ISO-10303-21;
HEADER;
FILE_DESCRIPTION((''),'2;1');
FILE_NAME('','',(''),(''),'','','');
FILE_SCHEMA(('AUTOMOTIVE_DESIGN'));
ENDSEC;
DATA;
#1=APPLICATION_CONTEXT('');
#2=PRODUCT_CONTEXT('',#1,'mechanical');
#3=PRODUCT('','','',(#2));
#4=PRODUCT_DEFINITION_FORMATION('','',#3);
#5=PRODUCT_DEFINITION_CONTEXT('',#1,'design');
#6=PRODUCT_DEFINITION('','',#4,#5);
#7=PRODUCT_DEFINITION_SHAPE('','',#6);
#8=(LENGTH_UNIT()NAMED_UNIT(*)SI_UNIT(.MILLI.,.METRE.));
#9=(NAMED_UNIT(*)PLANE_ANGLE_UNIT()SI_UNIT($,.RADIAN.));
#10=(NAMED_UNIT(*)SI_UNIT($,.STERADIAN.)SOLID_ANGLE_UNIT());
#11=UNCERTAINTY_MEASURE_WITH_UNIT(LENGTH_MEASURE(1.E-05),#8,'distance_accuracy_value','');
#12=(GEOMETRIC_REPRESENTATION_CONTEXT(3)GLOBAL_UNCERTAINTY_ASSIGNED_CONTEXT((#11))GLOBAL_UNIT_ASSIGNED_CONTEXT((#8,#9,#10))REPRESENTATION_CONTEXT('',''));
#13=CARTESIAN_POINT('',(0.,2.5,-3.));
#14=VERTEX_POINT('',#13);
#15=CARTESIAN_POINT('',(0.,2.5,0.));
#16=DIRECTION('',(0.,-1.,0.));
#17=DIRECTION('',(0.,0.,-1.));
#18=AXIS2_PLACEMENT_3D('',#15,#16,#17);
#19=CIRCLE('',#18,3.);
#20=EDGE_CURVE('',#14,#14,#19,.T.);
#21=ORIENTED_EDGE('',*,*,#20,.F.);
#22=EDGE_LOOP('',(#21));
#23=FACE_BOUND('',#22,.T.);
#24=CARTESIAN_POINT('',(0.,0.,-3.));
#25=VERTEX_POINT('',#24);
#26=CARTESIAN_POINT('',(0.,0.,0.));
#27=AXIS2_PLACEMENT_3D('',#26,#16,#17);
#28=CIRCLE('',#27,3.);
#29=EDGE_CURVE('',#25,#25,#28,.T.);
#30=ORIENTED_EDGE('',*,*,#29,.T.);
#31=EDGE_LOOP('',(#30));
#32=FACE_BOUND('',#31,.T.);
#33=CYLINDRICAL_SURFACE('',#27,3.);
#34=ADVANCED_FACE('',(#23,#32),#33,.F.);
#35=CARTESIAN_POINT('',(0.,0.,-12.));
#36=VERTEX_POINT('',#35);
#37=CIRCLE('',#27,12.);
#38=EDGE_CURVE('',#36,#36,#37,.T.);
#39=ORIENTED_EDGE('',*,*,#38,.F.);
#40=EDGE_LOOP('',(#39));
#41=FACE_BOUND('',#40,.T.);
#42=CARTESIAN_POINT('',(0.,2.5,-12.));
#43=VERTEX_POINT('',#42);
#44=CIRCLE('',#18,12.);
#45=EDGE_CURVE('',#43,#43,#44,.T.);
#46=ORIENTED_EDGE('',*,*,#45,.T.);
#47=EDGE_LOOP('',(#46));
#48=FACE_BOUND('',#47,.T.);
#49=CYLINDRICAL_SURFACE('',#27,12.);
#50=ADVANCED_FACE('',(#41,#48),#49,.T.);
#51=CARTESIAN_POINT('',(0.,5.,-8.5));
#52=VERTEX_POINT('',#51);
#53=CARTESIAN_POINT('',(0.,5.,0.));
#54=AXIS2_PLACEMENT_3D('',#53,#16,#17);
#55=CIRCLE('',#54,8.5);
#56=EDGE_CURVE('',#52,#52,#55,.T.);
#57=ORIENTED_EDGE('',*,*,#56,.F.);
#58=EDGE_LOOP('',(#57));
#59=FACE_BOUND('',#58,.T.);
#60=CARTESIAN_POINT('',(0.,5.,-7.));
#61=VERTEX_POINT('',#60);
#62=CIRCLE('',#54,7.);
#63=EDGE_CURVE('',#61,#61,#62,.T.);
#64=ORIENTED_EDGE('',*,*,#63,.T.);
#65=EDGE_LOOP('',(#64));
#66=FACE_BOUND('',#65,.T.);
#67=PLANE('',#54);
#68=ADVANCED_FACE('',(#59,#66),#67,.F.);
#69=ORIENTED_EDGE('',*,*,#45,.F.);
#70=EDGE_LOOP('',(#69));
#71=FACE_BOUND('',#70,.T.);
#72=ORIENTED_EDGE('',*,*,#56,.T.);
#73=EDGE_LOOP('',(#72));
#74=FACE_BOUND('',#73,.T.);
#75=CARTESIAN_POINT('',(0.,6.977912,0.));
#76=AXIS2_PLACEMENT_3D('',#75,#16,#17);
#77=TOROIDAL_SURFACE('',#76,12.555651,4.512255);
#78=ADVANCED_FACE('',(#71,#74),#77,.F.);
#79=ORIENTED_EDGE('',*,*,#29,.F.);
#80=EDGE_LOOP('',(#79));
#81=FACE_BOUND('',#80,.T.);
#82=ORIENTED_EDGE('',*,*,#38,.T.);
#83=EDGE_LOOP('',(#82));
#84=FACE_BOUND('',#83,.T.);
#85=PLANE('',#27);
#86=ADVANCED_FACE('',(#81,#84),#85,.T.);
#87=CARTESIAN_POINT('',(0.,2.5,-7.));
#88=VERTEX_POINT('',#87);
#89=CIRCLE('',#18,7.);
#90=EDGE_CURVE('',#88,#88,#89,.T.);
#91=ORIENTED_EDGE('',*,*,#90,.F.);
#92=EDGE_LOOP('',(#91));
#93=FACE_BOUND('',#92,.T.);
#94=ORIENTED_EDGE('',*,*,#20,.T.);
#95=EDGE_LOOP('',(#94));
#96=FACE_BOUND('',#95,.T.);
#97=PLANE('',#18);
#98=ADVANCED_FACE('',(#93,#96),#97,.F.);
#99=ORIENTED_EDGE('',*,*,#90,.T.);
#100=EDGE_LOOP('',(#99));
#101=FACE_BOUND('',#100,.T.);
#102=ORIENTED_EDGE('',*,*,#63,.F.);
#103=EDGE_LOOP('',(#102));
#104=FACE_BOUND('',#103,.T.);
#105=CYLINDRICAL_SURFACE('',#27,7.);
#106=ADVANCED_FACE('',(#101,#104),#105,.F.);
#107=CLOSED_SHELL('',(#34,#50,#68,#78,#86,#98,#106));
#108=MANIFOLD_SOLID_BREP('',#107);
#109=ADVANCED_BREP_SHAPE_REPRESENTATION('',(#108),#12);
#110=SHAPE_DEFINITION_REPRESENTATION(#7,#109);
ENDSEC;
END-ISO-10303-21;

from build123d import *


with BuildPart() as part:
    # Sketch2 → Revolve1 (revolve)
    with BuildSketch(Plane(origin=(0, 0, 0), x_dir=(0, 0, -1), z_dir=(1, 0, 0))):
        with BuildLine():
            Line((12, 0), (12, 2.5))
            ThreePointArc((12, 2.5), (9.932956508, 3.306139112), (8.5, 5))
            Line((8.5, 5), (7, 5))
            Line((7, 5), (7, 2.5))
            Line((7, 2.5), (3, 2.5))
            Line((3, 2.5), (3, 0))
            Line((3, 0), (12, 0))
        make_face()
    revolve(axis=Axis((0, 0, 0), (0, 1, 0)))


solid = part.part
